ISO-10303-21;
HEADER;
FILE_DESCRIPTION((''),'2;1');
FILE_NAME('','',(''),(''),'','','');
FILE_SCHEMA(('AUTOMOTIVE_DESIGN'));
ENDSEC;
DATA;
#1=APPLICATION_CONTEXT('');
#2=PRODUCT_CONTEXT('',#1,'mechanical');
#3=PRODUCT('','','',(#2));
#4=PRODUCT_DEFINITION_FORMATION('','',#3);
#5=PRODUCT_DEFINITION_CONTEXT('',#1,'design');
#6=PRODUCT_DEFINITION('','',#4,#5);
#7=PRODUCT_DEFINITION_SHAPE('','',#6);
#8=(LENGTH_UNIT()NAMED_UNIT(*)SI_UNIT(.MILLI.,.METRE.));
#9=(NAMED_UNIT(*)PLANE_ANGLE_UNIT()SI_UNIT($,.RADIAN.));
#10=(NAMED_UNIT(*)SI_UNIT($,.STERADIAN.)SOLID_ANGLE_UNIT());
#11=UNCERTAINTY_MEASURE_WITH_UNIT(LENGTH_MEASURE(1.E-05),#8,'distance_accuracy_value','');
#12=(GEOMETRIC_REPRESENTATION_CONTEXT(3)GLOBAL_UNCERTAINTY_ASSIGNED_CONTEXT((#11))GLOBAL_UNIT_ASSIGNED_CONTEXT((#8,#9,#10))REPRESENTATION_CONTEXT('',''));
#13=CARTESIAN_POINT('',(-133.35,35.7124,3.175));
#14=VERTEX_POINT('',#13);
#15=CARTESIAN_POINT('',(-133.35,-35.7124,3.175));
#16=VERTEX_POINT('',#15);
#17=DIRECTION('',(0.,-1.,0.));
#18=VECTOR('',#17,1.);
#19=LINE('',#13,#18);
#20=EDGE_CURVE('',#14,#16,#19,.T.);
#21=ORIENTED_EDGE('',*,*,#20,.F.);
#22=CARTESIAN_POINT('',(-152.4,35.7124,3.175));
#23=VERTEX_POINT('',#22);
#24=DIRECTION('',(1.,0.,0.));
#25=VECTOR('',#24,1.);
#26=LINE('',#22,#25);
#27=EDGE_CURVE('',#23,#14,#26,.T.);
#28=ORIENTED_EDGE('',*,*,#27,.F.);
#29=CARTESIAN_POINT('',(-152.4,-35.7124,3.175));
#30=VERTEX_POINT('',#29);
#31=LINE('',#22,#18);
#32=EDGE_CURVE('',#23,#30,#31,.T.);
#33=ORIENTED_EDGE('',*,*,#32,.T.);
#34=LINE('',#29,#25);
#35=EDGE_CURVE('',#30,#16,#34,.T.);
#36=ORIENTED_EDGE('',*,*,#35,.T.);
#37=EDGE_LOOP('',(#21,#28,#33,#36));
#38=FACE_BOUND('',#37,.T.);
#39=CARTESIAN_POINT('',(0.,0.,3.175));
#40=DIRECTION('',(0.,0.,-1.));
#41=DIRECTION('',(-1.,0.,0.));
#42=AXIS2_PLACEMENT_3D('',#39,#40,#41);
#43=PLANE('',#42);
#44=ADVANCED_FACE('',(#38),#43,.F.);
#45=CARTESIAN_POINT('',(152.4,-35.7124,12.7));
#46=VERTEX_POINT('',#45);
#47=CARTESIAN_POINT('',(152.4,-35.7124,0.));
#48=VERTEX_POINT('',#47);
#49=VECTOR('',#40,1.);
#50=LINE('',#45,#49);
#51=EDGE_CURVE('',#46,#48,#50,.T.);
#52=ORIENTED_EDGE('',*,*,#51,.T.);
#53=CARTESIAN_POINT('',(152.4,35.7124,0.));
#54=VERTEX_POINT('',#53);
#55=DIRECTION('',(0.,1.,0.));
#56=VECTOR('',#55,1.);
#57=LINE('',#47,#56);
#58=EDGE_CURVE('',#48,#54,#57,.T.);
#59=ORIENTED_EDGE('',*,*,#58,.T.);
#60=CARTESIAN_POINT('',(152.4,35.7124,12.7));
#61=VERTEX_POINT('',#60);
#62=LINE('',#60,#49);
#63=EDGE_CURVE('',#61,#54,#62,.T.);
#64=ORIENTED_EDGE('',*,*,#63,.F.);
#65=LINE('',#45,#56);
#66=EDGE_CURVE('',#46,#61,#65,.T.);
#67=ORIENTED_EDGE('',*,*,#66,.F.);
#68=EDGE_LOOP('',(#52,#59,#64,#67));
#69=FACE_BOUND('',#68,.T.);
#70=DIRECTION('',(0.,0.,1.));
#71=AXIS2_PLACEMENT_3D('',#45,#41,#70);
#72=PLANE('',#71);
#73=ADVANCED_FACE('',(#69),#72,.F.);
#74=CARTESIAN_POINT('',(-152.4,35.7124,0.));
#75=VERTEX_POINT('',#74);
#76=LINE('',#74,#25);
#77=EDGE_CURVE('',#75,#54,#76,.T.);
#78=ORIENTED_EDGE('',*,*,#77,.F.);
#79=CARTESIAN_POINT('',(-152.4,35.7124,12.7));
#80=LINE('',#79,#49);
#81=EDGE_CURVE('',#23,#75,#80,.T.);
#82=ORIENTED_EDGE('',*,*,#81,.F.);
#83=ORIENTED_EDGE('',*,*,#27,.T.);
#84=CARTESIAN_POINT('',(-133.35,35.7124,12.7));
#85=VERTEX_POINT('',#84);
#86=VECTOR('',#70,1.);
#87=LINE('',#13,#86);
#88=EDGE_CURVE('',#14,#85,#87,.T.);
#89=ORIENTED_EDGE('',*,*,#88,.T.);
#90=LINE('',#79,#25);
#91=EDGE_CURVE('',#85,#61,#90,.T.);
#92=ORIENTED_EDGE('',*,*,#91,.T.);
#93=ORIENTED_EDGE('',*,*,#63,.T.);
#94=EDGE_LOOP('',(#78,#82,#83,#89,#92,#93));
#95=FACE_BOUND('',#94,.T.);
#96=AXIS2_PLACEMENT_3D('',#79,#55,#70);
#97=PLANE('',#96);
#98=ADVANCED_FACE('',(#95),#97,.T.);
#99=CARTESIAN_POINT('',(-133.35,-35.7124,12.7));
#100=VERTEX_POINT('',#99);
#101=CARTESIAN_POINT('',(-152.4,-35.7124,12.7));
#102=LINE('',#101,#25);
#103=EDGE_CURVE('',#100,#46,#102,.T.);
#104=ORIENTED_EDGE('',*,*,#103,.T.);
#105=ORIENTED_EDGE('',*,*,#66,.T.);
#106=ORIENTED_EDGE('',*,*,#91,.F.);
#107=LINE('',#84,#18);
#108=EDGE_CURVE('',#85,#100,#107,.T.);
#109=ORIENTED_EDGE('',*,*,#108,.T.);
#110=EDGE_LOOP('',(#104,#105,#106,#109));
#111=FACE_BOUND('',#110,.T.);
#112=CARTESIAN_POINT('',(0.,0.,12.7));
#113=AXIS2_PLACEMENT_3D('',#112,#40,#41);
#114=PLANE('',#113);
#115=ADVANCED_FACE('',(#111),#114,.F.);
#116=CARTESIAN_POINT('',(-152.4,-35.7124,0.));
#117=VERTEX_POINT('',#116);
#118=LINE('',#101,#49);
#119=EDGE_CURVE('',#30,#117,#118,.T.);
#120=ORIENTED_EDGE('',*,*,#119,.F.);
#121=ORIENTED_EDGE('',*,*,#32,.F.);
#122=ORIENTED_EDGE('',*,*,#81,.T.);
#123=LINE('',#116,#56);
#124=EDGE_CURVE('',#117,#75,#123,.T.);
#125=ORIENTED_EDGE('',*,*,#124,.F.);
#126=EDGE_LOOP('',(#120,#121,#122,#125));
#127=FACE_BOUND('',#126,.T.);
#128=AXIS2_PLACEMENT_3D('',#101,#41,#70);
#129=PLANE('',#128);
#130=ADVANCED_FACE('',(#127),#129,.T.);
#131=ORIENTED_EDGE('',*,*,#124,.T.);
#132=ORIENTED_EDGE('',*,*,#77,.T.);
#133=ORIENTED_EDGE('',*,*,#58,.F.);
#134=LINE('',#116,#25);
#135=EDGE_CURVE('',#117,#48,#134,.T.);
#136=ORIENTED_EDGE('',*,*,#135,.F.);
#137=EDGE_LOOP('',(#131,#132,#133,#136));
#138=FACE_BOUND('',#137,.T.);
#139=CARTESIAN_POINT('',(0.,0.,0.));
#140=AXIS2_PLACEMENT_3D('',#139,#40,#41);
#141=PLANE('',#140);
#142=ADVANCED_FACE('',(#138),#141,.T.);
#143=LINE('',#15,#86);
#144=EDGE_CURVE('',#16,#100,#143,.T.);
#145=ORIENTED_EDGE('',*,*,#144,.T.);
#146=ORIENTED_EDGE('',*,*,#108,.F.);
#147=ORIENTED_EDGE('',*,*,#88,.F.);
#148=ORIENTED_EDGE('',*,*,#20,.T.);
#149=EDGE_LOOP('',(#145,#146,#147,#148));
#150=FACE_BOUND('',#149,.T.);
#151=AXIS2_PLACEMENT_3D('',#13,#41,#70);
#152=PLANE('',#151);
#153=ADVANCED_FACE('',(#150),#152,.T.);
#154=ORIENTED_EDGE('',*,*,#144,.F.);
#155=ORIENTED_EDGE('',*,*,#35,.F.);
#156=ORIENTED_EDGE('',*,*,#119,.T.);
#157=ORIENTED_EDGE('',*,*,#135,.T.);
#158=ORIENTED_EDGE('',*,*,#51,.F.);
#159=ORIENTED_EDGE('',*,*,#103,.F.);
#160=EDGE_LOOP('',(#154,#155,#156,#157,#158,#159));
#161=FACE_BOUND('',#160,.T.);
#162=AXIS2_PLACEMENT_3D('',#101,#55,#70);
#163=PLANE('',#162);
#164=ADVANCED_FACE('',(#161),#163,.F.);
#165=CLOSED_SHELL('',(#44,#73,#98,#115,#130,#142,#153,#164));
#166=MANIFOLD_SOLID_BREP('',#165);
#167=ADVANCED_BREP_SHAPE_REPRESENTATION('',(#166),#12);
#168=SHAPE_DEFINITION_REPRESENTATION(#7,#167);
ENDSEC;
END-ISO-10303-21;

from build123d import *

# Parameters (mm, degrees)
SKETCH1_W           = 304.8
SKETCH1_H           = 71.4248
BOSS_EXTRUDE1_DEPTH = 12.7
SKETCH2_W           = 19.05
SKETCH2_H           = 71.4248
CUT_EXTRUDE1_DEPTH  = 9.525


with BuildPart() as part:
    # Sketch1 → Boss-Extrude1 (new body)
    with BuildSketch(Plane.XY):
        Rectangle(SKETCH1_W, SKETCH1_H)
    extrude(amount=BOSS_EXTRUDE1_DEPTH)

    # Sketch2 → Cut-Extrude1 (cut)
    with BuildSketch(Plane.XY.offset(12.7)):
        with Locations((-142.875, 0)):
            Rectangle(SKETCH2_W, SKETCH2_H)
    extrude(amount=-CUT_EXTRUDE1_DEPTH, mode=Mode.SUBTRACT)


solid = part.part
